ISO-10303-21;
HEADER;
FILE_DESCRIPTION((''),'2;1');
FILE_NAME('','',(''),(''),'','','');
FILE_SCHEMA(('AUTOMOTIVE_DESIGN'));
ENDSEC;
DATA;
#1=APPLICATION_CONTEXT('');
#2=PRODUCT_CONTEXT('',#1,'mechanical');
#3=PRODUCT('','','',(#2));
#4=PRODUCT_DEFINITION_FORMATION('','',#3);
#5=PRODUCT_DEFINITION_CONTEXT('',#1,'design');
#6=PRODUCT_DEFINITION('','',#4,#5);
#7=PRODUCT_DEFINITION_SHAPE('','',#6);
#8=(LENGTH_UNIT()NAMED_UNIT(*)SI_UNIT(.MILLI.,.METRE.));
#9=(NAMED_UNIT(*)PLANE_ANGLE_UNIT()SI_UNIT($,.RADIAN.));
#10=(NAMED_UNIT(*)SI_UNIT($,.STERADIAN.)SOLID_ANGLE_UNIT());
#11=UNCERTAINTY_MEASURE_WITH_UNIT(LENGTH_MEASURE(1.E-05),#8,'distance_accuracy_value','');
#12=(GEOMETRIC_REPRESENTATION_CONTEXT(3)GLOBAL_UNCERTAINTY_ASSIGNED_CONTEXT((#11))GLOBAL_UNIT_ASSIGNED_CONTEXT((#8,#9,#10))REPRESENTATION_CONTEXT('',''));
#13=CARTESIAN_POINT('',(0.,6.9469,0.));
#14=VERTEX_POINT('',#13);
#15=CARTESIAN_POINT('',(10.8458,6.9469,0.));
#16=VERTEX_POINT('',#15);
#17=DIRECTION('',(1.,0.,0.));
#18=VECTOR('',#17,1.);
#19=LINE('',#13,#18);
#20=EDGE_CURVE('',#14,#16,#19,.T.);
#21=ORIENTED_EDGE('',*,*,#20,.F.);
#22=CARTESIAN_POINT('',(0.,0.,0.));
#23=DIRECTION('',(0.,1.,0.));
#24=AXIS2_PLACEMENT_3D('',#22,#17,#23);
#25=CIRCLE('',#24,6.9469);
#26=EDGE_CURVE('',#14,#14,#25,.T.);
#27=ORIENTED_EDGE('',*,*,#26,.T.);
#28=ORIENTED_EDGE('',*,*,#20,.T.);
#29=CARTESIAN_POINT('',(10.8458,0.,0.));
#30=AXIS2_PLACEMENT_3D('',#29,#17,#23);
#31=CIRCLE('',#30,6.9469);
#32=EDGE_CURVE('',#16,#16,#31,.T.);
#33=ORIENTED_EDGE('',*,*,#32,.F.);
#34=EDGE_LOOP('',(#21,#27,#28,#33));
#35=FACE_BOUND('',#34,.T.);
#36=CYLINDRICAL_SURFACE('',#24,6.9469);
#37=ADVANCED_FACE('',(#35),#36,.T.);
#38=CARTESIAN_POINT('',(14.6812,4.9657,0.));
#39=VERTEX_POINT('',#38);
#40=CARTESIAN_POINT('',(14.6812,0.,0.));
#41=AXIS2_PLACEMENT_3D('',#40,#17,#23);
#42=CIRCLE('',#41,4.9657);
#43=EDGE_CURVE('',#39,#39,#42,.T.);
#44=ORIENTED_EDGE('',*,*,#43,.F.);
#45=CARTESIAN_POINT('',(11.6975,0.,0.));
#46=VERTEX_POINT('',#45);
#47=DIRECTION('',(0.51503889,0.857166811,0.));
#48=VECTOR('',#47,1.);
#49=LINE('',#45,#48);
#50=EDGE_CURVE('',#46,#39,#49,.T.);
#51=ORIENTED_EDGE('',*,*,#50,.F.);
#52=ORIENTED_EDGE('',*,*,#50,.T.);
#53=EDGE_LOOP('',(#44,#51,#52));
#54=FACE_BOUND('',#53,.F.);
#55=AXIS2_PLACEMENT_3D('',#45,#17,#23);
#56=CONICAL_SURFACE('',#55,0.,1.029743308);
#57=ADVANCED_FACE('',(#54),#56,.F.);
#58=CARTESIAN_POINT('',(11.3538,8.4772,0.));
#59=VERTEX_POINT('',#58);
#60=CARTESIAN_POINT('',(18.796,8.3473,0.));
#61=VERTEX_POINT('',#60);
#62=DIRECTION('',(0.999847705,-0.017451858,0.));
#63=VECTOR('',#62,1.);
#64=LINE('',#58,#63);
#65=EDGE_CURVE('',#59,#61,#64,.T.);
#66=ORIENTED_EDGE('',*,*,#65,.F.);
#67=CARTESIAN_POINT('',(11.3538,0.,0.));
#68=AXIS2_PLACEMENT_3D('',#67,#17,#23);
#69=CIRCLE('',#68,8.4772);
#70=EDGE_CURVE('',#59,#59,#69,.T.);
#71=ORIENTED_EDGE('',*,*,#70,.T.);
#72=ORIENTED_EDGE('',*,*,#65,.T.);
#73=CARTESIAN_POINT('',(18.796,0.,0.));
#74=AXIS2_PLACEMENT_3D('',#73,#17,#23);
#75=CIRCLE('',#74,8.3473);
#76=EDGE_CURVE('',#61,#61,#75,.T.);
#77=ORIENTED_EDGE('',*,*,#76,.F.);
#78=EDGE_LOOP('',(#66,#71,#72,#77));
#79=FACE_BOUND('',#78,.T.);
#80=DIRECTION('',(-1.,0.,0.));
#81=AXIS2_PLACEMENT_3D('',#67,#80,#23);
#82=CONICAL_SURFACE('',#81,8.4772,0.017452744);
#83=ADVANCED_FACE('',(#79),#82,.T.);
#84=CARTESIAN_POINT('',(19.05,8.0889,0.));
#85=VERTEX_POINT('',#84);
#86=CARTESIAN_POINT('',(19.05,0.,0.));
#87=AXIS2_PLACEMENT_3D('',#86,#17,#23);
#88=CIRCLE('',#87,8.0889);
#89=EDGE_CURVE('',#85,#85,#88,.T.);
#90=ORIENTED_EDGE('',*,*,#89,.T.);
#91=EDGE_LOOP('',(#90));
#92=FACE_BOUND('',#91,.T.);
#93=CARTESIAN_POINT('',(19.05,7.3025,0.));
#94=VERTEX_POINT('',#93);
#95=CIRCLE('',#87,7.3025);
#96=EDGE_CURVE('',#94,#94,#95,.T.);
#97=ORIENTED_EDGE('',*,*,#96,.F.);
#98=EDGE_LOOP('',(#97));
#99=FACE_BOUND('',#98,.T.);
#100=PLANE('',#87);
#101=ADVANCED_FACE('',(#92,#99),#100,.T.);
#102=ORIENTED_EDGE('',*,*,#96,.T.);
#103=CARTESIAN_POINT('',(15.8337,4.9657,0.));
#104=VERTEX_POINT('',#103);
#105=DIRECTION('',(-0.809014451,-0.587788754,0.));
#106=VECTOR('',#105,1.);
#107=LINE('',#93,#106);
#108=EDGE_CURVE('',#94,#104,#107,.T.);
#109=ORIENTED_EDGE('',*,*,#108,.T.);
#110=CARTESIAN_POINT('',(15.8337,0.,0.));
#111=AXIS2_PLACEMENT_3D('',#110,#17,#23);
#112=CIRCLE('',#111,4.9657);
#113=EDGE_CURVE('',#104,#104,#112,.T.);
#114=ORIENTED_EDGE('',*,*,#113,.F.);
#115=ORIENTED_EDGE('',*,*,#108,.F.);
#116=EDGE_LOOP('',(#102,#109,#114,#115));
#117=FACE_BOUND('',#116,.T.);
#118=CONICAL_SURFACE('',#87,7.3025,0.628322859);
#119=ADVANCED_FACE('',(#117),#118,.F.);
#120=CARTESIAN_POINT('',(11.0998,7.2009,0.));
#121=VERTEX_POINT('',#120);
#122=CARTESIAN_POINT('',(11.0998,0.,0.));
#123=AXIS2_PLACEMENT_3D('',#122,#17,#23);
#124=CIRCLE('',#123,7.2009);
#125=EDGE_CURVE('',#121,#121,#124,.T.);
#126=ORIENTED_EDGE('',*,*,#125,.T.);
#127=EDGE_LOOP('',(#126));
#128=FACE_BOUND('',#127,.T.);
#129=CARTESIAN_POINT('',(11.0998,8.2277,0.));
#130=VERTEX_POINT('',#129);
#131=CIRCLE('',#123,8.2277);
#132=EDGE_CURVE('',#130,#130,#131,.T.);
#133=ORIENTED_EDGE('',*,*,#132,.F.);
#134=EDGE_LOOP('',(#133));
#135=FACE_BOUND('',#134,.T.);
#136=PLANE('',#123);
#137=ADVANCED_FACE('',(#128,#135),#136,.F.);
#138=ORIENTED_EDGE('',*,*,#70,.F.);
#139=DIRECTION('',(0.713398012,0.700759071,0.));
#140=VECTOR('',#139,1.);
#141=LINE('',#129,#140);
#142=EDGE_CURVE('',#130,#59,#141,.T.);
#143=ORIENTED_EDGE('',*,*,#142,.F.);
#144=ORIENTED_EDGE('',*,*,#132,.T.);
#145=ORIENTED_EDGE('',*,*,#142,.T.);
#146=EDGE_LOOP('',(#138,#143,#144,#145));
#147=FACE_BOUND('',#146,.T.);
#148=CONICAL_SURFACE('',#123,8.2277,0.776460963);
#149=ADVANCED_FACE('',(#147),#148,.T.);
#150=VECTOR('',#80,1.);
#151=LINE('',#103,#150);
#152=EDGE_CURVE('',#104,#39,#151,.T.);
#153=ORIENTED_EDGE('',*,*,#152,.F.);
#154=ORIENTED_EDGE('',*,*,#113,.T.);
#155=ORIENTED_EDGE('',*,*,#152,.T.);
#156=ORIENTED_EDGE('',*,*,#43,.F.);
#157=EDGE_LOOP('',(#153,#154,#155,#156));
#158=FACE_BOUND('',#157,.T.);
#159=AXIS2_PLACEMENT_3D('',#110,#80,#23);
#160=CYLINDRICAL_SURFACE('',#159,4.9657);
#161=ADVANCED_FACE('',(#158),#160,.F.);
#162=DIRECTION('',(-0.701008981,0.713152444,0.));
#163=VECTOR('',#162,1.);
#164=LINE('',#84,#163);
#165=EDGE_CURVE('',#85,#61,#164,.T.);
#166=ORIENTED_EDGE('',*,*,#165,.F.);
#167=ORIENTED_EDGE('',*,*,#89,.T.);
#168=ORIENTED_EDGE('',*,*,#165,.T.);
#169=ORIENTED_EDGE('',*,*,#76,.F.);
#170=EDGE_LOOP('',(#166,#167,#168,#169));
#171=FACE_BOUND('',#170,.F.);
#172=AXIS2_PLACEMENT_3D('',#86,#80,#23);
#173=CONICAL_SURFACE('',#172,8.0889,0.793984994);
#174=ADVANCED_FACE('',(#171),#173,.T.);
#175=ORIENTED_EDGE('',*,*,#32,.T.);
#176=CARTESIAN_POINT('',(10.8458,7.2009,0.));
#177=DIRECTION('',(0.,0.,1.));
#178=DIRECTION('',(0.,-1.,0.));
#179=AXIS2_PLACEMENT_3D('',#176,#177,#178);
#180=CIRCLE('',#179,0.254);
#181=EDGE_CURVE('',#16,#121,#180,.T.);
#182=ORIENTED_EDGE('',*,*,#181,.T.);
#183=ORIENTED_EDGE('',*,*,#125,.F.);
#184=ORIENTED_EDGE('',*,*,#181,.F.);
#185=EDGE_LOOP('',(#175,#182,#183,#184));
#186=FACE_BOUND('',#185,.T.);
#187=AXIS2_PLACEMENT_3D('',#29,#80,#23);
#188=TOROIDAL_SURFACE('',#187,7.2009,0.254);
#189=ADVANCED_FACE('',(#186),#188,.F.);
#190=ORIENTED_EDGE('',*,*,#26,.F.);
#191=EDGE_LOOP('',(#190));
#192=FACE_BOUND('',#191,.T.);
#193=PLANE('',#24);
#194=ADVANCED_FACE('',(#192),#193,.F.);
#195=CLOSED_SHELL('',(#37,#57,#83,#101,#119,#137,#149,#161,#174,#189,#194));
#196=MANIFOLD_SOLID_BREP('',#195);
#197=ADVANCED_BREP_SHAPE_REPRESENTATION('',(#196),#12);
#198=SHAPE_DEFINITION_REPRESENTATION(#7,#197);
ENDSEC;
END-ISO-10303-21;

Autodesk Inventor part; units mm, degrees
ref_plane "YZ Plane" through (0, 0, 0) normal (1, 0, 0) x (0, 1, 0)
ref_plane "XZ Plane" through (0, 0, 0) normal (0, 1, 0) x (-1, 0, 0)
ref_plane "XY Plane" through (0, 0, 0) normal (0, 0, 1) x (1, 0, 0)
sketch "Sketch1" plane through (0, 0, 0) normal (0, 0, 1) x (1, 0, 0)
  line L0 (0, 0) -> (0, 6.9469)
  line L1 (0, 6.9469) -> (10.8458, 6.9469)
  line L2 (11.0998, 7.2009) -> (11.0998, 8.2277)
  line L3 (11.3538, 8.4772) -> (18.796, 8.3473)
  line L4 (19.05, 8.0889) -> (19.05, 7.3025)
  line L5 (19.05, 7.3025) -> (15.8337, 4.9657)
  line L6 (15.8337, 4.9657) -> (14.6812, 4.9657)
  line L7 (0, 0) -> (11.6975, 0)
  line L8 (11.6975, 0) -> (14.6812, 4.9657)
  arc A0 (10.8458, 6.9469) -> (11.0998, 7.2009) centre (10.8458, 7.2009) ccw
  line L9 (19.05, 8.0889) -> (18.796, 8.3473)
  line L10 (11.0998, 8.2277) -> (11.3538, 8.4772)
  point P0 (11.0998, 6.9469)
  point P1 (11.0998, 8.4817)
  point P2 (19.05, 8.3429)
  dimension "d0" = 6.9469
  dimension "d1" = 8.6741
  dimension "d2" = 7.9502
  dimension "d3" = 19.05
  dimension "d4" = 4.9657
  dimension "d5" = 4.3688
  dimension "d6" = 37
  dimension "d7" = 7.3025
  dimension "d8" = 59
  dimension "d11" = 0.254
  dimension "d12" = 0.254
  dimension "d13" = 0.254
  dimension "d14" = 0.254
  dimension "d15" = 0.254
  dimension "d16" = 1
revolve "Revolution1" add sketch "Sketch1" angle 360 about axis through (0, 0, 0) along (1, 0, 0)
equation "\"d0\" = 0.5 * AN929_C"
equation "\"d1\" = 0.5 * AN929_B"
equation "\"d2\" = AN929_D"
equation "\"d3\" = AN929_H"
equation "\"d4\" = 0.5 * AN929_F"
equation "\"d5\" = AN929_E"
equation "\"d7\" = 0.5 * AN929_G"
equation "\"d11\" = AN929_R"
equation "\"d13\" = d12"
equation "\"d14\" = d12"
equation "\"d15\" = d14"
equation "\"Tube_OD\" = 12.7"
equation "\"AN929_B\" = 17.3482"
equation "\"AN929_C\" = 13.8938"
equation "\"AN929_D\" = 7.9502"
equation "\"AN929_E\" = 4.3688"
equation "\"AN929_F\" = 9.9314"
equation "\"AN929_G\" = 14.605"
equation "\"AN929_H\" = 19.05"
equation "\"AN929_R\" = 0.254"
properties part number "AN929-8D" material "Aluminum 2014-T6"
